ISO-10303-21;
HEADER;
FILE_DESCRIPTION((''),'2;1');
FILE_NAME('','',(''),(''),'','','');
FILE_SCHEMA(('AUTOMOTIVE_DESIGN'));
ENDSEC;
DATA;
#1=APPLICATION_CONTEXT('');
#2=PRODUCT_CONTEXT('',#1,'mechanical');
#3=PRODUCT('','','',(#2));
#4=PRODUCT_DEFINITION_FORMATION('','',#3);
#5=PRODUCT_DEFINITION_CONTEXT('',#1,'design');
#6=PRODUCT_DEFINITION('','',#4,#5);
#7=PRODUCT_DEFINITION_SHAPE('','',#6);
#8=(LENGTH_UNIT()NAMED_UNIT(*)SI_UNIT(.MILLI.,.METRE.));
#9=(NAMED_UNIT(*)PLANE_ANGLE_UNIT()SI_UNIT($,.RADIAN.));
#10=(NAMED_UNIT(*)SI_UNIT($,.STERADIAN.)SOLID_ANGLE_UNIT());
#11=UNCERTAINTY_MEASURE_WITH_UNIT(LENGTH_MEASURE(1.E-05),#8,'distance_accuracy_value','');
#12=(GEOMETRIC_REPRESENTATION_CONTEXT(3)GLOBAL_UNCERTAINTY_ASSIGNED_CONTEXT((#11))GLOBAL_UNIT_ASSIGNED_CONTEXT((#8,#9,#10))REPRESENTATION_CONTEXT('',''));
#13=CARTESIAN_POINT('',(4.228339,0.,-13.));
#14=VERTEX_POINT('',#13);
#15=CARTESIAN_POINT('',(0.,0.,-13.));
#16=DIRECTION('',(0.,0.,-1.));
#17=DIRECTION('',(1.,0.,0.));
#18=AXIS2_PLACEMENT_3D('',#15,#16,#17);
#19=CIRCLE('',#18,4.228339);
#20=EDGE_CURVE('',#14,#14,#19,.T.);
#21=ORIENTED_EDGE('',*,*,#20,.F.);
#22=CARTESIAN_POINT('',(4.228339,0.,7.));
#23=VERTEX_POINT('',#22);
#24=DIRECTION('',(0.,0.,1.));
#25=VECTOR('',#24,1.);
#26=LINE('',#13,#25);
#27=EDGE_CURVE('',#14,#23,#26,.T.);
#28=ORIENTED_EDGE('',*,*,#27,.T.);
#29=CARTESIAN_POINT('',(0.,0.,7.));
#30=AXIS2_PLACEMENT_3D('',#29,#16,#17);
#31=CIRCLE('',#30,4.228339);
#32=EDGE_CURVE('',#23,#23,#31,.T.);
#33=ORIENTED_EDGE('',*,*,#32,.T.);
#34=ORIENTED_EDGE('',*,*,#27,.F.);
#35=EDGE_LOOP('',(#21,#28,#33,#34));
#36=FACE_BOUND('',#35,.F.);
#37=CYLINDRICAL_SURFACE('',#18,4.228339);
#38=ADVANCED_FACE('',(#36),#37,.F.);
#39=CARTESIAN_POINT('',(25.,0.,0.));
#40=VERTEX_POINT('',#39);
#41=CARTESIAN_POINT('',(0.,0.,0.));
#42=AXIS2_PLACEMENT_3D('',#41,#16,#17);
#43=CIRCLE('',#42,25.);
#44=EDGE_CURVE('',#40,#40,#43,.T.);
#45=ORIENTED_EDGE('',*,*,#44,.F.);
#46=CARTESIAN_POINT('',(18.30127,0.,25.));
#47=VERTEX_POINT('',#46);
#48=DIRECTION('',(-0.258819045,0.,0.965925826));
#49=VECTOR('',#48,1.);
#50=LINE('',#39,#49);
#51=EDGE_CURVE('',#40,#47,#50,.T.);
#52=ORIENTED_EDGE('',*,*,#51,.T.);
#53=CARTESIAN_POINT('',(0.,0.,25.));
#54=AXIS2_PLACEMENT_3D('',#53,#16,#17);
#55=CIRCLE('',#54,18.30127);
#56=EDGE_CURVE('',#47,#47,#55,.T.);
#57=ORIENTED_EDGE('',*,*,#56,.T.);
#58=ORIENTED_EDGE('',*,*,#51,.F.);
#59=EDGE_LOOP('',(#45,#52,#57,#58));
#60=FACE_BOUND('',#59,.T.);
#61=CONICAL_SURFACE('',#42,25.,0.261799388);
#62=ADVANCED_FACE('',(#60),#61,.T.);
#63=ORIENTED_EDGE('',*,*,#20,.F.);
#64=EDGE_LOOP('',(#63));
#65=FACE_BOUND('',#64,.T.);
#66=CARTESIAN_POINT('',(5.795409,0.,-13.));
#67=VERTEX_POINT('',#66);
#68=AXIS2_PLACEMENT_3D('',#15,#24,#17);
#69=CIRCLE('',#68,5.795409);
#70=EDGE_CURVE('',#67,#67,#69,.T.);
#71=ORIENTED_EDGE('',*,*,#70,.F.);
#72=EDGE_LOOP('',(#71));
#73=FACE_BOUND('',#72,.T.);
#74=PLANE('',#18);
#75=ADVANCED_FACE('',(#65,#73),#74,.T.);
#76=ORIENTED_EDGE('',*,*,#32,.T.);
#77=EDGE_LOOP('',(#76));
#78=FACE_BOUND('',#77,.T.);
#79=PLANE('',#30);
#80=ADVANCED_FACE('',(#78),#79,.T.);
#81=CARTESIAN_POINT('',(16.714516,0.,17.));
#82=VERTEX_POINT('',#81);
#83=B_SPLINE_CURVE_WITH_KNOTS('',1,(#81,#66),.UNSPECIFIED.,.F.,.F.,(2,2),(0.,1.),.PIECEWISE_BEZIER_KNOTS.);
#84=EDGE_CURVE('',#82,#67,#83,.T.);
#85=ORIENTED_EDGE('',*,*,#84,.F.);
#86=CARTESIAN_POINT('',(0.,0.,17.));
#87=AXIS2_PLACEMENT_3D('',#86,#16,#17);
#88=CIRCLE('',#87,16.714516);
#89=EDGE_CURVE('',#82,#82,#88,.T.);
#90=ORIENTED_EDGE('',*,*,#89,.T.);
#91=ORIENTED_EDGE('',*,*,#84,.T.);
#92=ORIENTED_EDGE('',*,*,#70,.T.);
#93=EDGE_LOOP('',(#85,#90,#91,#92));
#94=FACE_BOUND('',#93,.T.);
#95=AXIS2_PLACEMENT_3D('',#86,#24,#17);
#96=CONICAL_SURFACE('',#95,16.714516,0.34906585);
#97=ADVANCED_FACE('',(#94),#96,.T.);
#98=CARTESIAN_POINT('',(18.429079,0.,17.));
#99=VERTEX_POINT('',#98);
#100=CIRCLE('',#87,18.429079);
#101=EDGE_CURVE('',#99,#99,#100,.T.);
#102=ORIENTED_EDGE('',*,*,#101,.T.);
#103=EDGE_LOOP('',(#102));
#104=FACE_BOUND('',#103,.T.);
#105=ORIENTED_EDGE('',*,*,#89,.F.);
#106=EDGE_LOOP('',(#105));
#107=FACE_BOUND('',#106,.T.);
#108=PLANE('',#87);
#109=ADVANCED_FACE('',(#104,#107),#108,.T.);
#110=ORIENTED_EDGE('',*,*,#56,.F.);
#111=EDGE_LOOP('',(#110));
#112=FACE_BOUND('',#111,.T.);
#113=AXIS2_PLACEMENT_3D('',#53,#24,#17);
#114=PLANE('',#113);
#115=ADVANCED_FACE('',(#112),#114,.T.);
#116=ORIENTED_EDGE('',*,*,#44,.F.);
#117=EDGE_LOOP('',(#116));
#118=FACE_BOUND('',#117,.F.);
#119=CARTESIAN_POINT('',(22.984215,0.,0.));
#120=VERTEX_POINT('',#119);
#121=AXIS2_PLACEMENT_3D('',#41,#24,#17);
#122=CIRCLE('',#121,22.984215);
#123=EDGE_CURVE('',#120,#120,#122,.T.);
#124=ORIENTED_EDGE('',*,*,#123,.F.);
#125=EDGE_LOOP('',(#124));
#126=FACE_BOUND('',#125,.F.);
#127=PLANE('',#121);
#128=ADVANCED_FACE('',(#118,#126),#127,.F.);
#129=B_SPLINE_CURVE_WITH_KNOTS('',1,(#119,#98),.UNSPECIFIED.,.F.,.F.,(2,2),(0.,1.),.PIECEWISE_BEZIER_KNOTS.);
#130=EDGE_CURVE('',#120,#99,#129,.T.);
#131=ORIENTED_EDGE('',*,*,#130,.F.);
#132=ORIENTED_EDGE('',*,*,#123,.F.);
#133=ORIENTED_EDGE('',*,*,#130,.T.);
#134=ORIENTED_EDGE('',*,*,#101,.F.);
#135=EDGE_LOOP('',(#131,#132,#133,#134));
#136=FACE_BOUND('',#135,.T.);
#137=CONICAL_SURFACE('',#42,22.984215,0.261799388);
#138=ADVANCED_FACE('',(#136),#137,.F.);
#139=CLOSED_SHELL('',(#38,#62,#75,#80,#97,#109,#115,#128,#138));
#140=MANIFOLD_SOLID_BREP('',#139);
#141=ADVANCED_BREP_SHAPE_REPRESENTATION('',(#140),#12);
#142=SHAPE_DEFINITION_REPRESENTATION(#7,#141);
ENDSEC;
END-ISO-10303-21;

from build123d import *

# Parameters (mm, degrees)
SKETCH_R        = 25
PAD_DEPTH       = 25
PAD_TAPER       = 15
SKETCH001_R     = 22.984215
POCKET_DEPTH    = 17
POCKET_TAPER    = 15
SKETCH002_R     = 16.714516
PAD001_DEPTH    = 30
PAD001_TAPER    = 20
SKETCH003_R     = 4.228339
POCKET001_DEPTH = 20


with BuildPart() as part:
    # Sketch → Pad (new body)
    with BuildSketch(Plane.XY):
        Circle(SKETCH_R)
    extrude(amount=PAD_DEPTH, taper=PAD_TAPER)

    # Sketch001 (on Face2 of Pad) → Pocket (cut)
    with BuildSketch(Plane(origin=(0, 0, 0), x_dir=(1, 0, 0), z_dir=(0, 0, -1))):
        Circle(SKETCH001_R)
    extrude(amount=-POCKET_DEPTH, taper=POCKET_TAPER, mode=Mode.SUBTRACT)

    # Sketch002 (on Face5 of Pocket) → Pad001 (join)
    with BuildSketch(Plane(origin=(0, 0, 17), x_dir=(1, 0, 0), z_dir=(0, 0, -1))):
        Circle(SKETCH002_R)
    extrude(amount=PAD001_DEPTH, taper=PAD001_TAPER)

    # Sketch003 (on Face7 of Pad001) → Pocket001 (cut)
    with BuildSketch(Plane(origin=(0, 0, -13), x_dir=(1, 0, 0), z_dir=(0, 0, -1))):
        Circle(SKETCH003_R)
    extrude(amount=-POCKET001_DEPTH, mode=Mode.SUBTRACT)


solid = part.part
